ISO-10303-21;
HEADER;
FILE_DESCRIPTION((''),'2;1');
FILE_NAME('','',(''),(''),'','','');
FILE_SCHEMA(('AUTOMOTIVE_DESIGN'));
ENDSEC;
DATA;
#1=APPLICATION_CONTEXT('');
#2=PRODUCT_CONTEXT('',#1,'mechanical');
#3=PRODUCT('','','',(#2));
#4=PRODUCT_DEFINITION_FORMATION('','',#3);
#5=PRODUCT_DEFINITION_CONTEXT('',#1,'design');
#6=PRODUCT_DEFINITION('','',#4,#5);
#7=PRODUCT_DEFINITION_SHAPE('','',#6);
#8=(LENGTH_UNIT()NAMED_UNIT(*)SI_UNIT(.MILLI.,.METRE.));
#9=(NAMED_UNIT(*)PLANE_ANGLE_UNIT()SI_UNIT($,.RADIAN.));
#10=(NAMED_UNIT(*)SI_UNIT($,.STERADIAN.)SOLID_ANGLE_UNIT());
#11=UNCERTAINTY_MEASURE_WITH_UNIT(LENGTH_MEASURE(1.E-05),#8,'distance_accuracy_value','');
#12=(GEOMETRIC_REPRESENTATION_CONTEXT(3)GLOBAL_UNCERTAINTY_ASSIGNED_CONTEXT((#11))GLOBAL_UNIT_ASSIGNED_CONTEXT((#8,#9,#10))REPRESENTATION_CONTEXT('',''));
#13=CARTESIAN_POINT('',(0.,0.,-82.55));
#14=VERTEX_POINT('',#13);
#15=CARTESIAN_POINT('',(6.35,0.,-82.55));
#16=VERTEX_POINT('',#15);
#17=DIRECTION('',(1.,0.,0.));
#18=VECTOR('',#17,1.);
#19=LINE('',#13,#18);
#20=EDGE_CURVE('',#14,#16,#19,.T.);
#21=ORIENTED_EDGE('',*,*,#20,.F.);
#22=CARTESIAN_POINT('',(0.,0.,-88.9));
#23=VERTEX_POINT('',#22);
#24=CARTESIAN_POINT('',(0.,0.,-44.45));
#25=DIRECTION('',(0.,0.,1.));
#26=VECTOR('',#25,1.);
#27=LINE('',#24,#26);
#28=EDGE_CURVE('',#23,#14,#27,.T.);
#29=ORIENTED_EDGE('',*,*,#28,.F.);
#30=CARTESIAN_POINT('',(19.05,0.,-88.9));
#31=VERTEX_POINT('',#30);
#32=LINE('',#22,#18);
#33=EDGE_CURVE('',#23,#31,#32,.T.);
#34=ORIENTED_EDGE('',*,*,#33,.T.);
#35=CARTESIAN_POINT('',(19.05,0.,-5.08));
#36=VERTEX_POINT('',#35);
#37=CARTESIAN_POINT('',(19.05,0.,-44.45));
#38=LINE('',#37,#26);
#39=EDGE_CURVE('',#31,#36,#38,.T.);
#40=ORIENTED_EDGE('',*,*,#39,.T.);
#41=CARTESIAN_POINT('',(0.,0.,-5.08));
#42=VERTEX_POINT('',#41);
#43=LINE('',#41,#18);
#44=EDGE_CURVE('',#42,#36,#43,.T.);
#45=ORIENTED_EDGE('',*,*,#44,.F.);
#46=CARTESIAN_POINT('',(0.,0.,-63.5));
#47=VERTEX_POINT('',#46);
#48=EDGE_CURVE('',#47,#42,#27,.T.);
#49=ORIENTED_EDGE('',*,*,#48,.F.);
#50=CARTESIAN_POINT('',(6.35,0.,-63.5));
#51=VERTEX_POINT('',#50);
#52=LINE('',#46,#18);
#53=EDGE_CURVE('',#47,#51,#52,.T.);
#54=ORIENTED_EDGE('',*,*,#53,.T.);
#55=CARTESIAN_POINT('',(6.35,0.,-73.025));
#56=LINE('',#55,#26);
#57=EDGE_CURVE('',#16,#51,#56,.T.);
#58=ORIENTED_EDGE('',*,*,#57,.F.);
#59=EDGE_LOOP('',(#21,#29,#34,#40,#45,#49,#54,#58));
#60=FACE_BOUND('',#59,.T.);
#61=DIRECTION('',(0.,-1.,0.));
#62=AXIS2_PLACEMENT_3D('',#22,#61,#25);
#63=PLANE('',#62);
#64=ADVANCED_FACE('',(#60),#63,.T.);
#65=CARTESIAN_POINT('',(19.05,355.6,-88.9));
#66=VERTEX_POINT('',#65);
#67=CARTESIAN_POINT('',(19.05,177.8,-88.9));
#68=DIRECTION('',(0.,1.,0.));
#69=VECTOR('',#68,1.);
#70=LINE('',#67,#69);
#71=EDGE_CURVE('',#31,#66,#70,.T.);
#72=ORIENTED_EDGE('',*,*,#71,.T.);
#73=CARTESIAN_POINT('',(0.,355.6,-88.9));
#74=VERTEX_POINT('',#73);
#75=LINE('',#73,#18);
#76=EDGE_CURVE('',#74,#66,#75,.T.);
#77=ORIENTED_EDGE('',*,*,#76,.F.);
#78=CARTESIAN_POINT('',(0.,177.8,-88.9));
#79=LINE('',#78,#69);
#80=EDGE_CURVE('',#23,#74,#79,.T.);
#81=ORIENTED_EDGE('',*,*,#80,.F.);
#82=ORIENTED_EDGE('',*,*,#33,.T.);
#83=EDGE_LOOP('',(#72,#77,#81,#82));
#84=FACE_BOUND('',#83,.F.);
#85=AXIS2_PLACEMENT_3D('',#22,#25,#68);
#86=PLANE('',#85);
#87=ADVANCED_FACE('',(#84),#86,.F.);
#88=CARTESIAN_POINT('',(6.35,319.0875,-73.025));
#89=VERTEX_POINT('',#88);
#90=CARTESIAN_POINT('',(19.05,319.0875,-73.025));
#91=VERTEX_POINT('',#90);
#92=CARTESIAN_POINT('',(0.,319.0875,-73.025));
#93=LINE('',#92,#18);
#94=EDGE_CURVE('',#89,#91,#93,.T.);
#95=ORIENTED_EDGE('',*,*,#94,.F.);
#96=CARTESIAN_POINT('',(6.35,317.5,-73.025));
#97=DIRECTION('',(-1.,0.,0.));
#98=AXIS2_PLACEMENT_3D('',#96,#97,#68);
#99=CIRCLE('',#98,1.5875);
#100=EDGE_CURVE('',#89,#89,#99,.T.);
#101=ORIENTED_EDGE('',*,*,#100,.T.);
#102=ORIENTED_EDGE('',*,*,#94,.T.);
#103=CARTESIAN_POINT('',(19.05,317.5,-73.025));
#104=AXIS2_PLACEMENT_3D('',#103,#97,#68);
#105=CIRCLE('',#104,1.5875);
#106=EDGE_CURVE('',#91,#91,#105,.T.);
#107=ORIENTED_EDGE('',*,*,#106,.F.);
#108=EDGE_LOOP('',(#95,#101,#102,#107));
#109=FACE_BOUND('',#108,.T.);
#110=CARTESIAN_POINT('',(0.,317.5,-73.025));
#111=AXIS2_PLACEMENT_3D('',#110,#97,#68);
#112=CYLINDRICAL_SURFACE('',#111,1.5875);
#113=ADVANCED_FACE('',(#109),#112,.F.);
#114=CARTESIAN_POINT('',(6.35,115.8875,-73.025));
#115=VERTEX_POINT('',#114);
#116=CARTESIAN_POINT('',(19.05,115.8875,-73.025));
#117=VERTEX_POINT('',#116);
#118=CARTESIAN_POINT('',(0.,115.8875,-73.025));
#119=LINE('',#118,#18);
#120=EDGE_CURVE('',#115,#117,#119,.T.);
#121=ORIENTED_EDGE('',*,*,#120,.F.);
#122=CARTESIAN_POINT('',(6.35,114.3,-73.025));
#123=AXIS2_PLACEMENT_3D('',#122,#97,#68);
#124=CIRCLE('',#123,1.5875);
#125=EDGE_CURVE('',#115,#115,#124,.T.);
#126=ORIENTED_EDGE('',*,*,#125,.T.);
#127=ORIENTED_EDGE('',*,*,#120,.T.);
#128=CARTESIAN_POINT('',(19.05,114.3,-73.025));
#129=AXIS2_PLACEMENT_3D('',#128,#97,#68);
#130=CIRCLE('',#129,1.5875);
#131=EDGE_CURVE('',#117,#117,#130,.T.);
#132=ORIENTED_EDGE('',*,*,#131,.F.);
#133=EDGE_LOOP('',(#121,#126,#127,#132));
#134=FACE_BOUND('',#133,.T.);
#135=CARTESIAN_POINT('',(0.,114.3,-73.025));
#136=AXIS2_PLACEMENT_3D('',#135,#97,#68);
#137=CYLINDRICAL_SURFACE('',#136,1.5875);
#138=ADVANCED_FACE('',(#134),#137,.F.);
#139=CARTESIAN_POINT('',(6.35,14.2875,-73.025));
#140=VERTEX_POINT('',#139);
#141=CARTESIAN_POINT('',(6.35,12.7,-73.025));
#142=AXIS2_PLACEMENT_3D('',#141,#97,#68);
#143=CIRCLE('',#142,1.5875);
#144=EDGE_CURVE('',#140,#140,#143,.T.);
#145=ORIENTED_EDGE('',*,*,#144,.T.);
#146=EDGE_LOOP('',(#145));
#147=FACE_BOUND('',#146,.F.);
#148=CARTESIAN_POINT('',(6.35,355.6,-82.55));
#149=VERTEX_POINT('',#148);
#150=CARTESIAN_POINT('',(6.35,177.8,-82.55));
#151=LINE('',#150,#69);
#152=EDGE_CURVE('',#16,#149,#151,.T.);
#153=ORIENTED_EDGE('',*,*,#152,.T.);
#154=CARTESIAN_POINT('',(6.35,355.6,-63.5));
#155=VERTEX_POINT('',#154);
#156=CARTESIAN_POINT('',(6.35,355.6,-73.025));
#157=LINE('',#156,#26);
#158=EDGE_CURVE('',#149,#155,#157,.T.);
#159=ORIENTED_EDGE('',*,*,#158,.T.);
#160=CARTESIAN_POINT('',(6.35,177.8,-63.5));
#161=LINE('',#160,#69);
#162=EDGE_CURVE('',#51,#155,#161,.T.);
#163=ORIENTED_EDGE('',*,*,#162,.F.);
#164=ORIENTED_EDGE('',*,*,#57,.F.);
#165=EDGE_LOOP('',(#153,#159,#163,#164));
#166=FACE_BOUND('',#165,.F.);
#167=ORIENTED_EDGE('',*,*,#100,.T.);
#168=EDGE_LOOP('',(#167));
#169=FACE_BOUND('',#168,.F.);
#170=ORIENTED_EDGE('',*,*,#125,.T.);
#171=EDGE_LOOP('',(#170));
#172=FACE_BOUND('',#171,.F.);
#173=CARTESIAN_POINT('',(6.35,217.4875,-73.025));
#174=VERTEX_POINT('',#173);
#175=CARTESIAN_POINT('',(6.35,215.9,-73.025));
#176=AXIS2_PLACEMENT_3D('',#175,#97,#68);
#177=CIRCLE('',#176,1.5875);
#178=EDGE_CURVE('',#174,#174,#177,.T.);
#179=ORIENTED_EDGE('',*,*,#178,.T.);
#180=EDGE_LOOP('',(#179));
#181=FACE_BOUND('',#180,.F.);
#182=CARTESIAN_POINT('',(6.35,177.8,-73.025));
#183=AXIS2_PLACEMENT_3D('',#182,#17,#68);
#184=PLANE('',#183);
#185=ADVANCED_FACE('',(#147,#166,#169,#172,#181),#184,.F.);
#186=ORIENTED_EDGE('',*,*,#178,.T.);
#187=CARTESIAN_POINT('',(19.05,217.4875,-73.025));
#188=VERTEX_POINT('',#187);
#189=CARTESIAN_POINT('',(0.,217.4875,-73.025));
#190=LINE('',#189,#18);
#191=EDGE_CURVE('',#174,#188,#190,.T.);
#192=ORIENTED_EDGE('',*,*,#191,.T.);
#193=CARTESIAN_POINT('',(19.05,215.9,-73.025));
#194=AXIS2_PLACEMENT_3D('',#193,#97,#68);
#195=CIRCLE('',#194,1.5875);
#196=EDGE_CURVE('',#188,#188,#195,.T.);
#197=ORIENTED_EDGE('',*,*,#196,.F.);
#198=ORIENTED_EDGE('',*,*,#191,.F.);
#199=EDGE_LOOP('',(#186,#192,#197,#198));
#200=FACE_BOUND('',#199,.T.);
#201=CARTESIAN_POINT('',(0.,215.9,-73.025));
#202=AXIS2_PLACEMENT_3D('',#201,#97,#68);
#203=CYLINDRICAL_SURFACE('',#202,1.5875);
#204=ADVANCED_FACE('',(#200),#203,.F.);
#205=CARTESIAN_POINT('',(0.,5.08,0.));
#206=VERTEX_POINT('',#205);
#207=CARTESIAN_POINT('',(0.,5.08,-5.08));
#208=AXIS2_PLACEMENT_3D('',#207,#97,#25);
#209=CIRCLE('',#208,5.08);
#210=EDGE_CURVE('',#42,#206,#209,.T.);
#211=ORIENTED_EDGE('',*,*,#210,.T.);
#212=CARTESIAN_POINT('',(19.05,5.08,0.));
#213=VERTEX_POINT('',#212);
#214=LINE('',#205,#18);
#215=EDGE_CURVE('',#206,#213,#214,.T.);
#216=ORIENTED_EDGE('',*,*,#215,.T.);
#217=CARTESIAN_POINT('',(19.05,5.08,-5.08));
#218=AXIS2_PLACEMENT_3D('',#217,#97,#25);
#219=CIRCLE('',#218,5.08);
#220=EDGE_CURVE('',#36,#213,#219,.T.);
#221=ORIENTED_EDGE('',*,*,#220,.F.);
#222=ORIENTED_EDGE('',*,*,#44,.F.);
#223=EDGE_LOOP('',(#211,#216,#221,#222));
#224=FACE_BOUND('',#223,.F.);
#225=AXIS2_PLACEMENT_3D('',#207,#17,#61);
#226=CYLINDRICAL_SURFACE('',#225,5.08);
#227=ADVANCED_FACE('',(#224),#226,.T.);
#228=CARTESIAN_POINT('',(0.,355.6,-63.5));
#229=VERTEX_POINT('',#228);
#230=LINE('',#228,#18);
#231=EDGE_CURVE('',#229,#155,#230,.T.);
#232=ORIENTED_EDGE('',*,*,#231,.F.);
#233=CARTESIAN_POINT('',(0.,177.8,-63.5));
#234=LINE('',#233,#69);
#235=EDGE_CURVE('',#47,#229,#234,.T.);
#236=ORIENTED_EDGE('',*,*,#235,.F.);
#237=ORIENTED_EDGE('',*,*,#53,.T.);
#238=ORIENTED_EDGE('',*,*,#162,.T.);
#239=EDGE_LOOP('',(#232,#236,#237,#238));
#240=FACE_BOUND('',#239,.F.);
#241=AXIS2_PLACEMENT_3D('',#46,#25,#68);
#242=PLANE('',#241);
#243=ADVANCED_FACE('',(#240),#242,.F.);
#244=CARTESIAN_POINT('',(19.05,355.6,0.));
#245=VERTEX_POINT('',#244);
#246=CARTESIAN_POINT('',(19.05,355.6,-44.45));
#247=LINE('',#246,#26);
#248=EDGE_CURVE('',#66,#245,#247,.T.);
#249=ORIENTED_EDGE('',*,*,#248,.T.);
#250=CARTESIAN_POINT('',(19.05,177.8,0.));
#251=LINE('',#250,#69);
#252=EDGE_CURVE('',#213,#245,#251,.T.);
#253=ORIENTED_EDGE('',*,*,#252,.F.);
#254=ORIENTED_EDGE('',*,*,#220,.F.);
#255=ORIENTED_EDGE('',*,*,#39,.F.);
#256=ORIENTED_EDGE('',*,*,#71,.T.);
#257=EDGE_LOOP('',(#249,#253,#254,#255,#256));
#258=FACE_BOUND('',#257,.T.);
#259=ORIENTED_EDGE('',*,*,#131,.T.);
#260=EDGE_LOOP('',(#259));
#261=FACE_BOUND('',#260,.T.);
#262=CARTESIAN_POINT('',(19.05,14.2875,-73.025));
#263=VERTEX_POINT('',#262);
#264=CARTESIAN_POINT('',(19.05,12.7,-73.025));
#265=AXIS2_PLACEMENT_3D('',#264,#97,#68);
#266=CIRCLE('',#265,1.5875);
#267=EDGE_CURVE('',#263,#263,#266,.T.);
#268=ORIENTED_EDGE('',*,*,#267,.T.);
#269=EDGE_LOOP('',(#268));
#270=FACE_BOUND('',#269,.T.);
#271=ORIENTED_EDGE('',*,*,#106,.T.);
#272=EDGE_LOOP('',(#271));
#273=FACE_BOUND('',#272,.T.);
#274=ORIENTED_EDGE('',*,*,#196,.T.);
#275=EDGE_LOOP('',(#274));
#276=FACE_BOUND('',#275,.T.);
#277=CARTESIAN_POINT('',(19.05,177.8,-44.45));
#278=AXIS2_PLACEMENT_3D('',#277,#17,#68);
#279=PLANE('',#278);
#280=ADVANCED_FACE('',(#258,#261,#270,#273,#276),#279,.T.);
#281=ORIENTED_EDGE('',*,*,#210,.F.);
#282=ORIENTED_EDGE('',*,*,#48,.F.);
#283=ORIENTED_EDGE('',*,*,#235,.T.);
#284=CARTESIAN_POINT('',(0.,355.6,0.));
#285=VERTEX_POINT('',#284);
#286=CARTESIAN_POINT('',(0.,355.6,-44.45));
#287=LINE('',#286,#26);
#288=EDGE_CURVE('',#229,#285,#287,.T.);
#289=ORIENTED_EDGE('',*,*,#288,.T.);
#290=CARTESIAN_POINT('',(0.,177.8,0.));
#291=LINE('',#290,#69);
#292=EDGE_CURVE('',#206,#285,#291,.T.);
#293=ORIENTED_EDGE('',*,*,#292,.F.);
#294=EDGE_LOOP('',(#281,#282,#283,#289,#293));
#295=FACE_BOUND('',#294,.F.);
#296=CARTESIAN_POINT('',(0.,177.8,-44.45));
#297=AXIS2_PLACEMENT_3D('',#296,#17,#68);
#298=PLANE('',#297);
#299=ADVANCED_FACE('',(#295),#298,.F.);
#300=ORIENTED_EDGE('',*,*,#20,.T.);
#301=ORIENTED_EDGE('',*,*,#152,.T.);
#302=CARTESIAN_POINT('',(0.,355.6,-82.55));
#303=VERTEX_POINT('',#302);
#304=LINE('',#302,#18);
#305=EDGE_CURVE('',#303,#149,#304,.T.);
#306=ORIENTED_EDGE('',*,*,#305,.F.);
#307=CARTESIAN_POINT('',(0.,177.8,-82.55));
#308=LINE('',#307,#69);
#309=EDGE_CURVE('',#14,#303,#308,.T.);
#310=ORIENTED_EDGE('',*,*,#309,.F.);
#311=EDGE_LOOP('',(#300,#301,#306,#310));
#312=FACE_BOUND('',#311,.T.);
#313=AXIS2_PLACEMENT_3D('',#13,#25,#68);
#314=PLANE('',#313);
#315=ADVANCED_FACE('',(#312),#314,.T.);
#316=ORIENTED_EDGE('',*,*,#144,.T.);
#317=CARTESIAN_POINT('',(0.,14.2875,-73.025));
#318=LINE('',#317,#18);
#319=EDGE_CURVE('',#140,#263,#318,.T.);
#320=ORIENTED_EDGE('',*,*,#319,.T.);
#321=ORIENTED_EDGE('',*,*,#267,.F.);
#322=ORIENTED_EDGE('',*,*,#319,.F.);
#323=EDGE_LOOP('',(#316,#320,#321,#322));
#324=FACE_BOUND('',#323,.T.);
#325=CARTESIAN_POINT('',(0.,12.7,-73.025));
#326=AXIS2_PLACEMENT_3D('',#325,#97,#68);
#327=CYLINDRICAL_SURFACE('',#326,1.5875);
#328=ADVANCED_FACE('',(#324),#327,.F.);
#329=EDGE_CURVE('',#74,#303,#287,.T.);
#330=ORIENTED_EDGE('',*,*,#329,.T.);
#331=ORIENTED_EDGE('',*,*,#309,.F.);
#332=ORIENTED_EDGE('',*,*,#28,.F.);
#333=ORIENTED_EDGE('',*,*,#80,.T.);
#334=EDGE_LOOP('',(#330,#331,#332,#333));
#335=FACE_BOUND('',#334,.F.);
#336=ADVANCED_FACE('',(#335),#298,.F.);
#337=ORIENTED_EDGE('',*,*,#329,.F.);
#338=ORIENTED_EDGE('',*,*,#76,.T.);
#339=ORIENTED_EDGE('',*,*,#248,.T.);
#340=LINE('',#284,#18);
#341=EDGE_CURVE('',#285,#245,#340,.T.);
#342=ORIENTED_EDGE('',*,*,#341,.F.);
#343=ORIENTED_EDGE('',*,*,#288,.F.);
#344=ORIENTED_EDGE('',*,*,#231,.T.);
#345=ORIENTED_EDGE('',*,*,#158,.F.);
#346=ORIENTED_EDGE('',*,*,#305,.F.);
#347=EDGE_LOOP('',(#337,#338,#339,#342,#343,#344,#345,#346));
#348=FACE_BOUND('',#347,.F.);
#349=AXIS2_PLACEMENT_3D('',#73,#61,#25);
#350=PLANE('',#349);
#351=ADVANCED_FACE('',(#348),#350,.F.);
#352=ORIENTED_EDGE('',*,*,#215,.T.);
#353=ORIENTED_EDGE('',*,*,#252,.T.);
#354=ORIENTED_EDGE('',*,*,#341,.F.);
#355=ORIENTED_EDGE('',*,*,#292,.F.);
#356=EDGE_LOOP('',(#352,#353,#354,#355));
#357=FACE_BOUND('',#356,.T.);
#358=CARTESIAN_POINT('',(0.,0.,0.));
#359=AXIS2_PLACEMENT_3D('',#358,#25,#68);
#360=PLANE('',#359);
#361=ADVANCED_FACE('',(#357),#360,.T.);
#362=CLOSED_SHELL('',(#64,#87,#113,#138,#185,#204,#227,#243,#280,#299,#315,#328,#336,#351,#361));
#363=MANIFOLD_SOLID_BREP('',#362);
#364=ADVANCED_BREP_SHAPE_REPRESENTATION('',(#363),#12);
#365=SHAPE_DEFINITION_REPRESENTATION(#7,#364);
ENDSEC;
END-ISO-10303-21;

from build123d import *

# Parameters (mm, degrees)
F0_W     = 355.6
F0_H     = 88.9
F1_DEPTH = 19.05
F2_R     = 5.08
F3_W     = 355.6
F3_H     = 19.05
F4_DEPTH = 6.35
F5_R     = 1.5875
F6_DEPTH = 19.051


with BuildPart() as f1:
    # F0 (on Right) → F1 (new body)
    with BuildSketch(Plane.YZ):
        with Locations((177.8, -44.45)):
            Rectangle(F0_W, F0_H)
    extrude(amount=F1_DEPTH)

    # F2
    f2_edges = [f1.edges().sort_by_distance(p)[0] for p in [
        (9.525, 0, 0),
    ]]
    fillet(f2_edges, radius=F2_R)

    # F3 (on Right) → F4 (cut)
    with BuildSketch(Plane.YZ):
        with Locations((177.8, -73.025)):
            Rectangle(F3_W, F3_H)
    extrude(amount=F4_DEPTH, mode=Mode.SUBTRACT)

    # F5 (on Right) → F6 (cut, through all)
    with BuildSketch(Plane.YZ):
        with Locations((12.7, -73.025)):
            Circle(F5_R)
        with Locations((114.3, -73.025)):
            Circle(F5_R)
        with Locations((215.9, -73.025)):
            Circle(F5_R)
        with Locations((317.5, -73.025)):
            Circle(F5_R)
    extrude(amount=F6_DEPTH, mode=Mode.SUBTRACT)


solid = f1.part
